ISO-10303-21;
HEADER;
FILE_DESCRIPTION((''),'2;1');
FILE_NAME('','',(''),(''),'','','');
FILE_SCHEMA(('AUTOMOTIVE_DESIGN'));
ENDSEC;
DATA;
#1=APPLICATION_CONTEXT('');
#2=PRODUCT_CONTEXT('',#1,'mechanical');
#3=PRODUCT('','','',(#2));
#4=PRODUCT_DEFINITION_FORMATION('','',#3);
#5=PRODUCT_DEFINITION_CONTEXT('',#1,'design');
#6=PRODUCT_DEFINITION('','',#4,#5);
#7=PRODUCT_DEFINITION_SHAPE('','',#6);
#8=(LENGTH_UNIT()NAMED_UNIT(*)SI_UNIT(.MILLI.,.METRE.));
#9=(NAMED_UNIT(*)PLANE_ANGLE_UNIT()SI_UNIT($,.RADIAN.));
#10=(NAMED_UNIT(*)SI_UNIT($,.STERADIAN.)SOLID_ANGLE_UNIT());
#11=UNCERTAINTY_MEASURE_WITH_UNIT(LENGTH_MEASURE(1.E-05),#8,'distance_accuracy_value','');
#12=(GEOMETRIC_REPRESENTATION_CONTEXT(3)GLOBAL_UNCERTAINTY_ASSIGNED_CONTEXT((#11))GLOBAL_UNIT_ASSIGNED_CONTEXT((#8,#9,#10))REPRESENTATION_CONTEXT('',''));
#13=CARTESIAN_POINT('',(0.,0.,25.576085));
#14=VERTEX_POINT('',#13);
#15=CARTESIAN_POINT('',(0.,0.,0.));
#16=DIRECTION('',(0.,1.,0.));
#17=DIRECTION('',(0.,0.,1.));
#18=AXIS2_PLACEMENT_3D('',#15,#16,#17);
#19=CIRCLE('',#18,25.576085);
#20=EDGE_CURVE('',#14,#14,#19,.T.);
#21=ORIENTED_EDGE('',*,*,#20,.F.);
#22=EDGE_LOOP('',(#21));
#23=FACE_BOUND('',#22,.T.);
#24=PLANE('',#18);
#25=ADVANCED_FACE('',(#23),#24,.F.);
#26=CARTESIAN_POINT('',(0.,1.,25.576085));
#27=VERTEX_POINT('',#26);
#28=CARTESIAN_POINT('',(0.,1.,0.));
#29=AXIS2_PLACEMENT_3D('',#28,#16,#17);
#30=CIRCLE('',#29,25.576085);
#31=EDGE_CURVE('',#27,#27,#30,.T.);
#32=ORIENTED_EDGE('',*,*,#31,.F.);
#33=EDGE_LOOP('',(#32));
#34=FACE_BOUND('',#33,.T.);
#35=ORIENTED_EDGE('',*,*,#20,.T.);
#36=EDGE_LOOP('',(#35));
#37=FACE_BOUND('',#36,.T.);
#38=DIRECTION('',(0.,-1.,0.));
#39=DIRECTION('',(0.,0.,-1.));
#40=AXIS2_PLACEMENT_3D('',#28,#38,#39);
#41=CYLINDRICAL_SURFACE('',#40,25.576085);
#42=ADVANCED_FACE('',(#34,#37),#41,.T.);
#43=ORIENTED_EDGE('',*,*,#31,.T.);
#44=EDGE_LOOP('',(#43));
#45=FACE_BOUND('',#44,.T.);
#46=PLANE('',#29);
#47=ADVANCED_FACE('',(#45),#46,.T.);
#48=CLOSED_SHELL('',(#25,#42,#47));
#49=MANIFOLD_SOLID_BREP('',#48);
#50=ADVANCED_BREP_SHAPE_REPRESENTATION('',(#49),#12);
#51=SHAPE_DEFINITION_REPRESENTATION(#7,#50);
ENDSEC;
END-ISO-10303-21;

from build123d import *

# Parameters (mm, degrees)
SKETCH1_R           = 25.576085461
BOSS_EXTRUDE1_DEPTH = 1


with BuildPart() as part:
    # Sketch1 → Boss-Extrude1 (new body)
    with BuildSketch(Plane(origin=(0, 0, 0), x_dir=(1, 0, 0), z_dir=(0, 1, 0))):
        Circle(SKETCH1_R)
    extrude(amount=BOSS_EXTRUDE1_DEPTH)


solid = part.part
